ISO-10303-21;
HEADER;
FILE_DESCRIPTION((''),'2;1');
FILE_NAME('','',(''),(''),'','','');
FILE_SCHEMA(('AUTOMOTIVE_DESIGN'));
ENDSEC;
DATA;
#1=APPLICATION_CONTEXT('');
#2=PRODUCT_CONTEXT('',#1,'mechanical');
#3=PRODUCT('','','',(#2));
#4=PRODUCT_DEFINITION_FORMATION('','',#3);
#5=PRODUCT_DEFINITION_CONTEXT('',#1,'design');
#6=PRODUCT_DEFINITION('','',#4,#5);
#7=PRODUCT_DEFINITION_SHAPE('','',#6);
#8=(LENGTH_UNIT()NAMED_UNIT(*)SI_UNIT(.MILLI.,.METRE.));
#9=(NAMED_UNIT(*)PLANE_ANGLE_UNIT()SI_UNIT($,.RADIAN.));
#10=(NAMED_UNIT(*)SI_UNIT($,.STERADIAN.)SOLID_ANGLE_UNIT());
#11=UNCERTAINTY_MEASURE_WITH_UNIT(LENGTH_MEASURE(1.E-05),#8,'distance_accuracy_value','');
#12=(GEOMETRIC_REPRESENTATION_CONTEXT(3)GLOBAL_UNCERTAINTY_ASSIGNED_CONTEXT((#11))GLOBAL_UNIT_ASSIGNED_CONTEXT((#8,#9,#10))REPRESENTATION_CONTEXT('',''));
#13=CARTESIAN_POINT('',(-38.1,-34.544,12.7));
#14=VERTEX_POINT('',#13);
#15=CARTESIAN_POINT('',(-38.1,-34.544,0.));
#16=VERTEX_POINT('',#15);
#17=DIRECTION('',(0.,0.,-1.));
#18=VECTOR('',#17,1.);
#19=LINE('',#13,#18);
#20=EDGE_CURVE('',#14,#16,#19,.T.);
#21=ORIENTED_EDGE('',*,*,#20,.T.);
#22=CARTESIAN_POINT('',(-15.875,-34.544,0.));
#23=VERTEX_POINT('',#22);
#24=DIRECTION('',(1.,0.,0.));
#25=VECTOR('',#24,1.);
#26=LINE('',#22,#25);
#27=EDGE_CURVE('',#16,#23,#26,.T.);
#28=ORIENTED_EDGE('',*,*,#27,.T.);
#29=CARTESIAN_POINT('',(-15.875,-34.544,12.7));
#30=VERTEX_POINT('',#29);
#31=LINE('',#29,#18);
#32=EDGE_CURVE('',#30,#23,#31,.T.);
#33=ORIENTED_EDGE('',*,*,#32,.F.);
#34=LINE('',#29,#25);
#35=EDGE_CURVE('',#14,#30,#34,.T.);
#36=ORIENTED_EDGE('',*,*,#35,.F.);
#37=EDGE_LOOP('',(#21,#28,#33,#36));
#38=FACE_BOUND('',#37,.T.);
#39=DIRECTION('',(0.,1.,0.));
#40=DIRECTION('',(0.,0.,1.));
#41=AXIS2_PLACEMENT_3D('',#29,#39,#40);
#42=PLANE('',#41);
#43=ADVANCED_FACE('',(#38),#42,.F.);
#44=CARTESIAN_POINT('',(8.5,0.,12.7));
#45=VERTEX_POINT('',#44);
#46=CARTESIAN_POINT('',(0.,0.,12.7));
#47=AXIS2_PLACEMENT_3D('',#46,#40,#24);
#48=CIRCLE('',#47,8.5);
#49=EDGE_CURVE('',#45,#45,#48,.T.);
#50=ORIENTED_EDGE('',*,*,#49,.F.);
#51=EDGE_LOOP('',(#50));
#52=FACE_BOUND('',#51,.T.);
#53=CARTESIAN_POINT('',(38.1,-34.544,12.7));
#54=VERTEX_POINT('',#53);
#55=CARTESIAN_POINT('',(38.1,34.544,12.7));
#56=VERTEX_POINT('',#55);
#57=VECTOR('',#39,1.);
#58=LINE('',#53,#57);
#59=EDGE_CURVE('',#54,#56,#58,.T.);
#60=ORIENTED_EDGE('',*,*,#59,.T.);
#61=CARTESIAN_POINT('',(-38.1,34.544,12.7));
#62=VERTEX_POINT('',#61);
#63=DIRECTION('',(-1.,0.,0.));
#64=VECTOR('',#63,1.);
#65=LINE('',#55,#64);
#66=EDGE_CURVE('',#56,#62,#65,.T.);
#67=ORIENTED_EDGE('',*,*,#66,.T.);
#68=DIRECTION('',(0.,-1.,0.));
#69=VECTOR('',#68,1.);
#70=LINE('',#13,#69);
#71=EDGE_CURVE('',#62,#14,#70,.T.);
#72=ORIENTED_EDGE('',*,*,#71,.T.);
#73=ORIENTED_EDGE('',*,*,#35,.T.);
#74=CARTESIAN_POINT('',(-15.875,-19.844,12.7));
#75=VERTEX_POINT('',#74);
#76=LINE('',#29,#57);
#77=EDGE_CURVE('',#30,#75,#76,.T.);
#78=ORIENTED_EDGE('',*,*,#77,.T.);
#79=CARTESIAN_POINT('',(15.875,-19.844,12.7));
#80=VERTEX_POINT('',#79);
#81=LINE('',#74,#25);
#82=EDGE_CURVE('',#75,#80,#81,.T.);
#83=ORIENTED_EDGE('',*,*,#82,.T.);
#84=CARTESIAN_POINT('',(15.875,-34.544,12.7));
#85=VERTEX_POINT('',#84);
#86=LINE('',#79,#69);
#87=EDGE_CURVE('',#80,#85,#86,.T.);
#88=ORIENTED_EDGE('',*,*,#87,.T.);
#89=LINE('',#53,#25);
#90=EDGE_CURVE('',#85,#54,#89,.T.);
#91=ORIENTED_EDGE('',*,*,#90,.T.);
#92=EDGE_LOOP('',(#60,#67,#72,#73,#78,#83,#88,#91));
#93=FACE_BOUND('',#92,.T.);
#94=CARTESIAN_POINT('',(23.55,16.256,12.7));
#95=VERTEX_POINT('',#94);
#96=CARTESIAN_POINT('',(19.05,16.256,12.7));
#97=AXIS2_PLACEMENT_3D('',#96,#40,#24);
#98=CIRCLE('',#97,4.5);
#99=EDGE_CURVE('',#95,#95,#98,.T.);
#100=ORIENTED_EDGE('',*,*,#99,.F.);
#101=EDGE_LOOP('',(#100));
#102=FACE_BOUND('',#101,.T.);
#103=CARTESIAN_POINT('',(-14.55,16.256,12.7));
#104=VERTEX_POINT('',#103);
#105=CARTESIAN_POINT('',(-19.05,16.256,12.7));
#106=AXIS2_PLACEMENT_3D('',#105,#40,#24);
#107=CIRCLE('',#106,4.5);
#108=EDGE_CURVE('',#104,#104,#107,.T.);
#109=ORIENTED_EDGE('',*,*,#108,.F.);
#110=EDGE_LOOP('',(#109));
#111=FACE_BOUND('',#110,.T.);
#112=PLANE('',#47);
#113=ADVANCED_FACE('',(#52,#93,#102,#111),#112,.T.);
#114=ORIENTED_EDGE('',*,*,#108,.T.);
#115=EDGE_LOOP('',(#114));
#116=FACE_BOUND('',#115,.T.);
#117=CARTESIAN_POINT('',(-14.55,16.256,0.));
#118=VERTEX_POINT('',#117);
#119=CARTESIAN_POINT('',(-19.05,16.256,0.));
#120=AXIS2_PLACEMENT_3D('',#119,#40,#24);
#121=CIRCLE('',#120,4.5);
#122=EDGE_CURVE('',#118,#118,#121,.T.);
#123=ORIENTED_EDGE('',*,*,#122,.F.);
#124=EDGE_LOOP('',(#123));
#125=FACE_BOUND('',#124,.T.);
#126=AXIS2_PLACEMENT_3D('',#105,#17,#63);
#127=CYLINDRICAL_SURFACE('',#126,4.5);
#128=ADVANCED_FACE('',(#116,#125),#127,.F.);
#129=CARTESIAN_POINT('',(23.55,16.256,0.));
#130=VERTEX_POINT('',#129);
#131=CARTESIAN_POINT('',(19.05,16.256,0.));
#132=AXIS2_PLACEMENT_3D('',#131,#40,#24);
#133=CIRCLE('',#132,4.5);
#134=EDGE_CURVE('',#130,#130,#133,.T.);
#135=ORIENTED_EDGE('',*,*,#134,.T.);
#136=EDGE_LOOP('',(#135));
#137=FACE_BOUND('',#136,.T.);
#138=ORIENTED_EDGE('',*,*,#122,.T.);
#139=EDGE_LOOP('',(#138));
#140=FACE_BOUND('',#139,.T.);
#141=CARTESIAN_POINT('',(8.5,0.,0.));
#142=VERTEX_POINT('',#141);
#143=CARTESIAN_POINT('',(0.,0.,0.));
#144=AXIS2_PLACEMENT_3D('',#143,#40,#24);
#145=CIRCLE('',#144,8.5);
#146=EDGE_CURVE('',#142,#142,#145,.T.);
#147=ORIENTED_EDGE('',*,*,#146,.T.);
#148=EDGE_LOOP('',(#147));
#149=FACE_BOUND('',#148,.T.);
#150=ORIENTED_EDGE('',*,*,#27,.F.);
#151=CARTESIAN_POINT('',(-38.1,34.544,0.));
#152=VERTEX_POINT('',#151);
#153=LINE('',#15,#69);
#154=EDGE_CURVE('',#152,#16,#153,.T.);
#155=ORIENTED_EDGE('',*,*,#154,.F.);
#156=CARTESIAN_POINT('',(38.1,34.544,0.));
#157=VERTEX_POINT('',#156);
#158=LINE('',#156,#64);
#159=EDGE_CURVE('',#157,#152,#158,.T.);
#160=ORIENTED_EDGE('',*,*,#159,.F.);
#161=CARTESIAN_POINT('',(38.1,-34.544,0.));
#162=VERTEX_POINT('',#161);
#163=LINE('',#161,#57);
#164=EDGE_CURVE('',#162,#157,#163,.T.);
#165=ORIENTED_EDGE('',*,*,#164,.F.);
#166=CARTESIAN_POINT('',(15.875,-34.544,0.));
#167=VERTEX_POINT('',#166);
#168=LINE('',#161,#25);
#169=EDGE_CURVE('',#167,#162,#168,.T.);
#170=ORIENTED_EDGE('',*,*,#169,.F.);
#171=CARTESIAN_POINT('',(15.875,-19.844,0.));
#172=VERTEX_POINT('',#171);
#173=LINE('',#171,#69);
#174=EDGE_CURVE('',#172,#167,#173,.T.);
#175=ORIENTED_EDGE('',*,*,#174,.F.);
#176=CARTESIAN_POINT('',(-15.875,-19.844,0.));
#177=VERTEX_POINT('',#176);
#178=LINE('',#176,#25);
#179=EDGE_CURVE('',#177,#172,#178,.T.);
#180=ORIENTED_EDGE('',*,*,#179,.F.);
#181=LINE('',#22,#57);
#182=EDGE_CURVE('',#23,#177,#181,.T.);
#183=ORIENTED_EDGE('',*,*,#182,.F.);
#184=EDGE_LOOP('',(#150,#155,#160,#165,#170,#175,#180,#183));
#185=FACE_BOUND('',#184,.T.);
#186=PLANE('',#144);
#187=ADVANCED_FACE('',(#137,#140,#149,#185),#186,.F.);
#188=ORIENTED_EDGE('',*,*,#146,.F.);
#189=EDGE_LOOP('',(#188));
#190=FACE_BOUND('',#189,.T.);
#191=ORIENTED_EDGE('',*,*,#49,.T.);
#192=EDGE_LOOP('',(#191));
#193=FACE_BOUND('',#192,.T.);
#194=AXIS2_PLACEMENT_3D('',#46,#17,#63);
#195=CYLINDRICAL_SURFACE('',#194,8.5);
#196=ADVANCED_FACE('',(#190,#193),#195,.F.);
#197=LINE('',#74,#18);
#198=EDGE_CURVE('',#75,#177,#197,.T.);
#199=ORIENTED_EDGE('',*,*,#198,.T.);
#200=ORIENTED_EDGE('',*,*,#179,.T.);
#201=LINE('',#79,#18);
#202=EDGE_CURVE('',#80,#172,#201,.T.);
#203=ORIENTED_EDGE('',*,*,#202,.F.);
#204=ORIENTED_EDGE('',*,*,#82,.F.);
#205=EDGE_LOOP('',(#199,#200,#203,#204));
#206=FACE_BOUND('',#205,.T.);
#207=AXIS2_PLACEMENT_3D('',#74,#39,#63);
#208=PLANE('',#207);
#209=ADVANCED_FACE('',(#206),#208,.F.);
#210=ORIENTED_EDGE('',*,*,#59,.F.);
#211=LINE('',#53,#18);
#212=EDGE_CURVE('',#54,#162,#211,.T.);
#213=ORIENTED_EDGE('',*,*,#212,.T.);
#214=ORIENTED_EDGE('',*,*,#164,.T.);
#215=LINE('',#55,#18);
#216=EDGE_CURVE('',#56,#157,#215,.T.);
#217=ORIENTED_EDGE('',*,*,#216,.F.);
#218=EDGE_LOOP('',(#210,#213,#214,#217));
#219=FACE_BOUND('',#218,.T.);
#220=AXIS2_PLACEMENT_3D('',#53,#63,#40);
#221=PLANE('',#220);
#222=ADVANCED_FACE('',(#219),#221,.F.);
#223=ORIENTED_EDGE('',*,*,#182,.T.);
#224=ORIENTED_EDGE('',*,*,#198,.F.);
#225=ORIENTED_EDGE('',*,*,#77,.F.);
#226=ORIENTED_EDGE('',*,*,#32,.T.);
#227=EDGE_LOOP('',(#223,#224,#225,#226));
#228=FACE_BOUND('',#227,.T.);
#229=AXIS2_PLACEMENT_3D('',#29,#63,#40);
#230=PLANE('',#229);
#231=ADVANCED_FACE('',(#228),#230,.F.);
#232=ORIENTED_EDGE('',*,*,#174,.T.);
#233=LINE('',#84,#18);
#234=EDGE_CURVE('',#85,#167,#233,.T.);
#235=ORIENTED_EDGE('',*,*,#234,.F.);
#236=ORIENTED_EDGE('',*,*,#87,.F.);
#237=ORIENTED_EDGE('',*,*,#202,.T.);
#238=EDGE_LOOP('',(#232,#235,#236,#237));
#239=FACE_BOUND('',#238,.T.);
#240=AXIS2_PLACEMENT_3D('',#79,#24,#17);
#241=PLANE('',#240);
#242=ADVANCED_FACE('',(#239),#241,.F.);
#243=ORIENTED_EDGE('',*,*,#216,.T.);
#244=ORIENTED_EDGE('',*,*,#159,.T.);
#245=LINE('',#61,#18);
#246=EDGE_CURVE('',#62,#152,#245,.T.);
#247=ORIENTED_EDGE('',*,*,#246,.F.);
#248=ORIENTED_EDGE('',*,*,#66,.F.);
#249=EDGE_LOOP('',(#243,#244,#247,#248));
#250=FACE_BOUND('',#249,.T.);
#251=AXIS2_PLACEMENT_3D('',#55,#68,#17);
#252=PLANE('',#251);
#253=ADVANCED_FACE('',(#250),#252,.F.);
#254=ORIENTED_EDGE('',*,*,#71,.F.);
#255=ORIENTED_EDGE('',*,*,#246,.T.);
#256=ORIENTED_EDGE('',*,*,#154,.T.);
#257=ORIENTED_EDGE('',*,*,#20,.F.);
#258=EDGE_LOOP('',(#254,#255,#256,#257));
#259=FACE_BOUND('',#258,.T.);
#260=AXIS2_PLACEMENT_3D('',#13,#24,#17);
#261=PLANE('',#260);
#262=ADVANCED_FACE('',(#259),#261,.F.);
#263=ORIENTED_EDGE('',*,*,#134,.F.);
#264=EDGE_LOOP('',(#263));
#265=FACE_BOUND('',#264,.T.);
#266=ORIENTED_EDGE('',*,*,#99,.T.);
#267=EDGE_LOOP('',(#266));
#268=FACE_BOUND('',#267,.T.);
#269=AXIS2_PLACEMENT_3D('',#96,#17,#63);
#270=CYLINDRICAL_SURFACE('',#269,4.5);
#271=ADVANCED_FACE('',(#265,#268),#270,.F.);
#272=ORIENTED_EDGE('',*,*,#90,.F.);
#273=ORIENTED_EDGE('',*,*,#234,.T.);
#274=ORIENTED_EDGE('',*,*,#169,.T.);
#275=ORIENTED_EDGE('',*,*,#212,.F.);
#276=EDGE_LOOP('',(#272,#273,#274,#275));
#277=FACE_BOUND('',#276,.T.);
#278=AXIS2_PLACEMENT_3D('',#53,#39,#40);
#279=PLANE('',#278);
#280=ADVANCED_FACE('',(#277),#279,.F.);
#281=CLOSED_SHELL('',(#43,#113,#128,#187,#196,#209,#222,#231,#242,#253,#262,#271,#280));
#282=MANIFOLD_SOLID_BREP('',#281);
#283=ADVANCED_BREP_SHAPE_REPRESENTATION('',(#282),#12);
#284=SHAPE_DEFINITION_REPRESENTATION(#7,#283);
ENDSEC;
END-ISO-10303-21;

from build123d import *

# Parameters (mm, degrees)
SKETCH1_R           = 8.5
SKETCH1_R_2         = 4.5
BOSS_EXTRUDE1_DEPTH = 12.7


with BuildPart() as part:
    # Sketch1 → Boss-Extrude1 (new body)
    with BuildSketch(Plane.XY):
        Polygon((-15.875, -34.544), (-15.875, -19.844), (15.875, -19.844), (15.875, -34.544), (38.1, -34.544), (38.1, 34.544), (-38.1, 34.544), (-38.1, -34.544), align=None)
        Circle(SKETCH1_R, mode=Mode.SUBTRACT)
        with Locations((19.05, 16.256)):
            Circle(SKETCH1_R_2, mode=Mode.SUBTRACT)
        with Locations((-19.05, 16.256)):
            Circle(SKETCH1_R_2, mode=Mode.SUBTRACT)
    extrude(amount=BOSS_EXTRUDE1_DEPTH)


solid = part.part
